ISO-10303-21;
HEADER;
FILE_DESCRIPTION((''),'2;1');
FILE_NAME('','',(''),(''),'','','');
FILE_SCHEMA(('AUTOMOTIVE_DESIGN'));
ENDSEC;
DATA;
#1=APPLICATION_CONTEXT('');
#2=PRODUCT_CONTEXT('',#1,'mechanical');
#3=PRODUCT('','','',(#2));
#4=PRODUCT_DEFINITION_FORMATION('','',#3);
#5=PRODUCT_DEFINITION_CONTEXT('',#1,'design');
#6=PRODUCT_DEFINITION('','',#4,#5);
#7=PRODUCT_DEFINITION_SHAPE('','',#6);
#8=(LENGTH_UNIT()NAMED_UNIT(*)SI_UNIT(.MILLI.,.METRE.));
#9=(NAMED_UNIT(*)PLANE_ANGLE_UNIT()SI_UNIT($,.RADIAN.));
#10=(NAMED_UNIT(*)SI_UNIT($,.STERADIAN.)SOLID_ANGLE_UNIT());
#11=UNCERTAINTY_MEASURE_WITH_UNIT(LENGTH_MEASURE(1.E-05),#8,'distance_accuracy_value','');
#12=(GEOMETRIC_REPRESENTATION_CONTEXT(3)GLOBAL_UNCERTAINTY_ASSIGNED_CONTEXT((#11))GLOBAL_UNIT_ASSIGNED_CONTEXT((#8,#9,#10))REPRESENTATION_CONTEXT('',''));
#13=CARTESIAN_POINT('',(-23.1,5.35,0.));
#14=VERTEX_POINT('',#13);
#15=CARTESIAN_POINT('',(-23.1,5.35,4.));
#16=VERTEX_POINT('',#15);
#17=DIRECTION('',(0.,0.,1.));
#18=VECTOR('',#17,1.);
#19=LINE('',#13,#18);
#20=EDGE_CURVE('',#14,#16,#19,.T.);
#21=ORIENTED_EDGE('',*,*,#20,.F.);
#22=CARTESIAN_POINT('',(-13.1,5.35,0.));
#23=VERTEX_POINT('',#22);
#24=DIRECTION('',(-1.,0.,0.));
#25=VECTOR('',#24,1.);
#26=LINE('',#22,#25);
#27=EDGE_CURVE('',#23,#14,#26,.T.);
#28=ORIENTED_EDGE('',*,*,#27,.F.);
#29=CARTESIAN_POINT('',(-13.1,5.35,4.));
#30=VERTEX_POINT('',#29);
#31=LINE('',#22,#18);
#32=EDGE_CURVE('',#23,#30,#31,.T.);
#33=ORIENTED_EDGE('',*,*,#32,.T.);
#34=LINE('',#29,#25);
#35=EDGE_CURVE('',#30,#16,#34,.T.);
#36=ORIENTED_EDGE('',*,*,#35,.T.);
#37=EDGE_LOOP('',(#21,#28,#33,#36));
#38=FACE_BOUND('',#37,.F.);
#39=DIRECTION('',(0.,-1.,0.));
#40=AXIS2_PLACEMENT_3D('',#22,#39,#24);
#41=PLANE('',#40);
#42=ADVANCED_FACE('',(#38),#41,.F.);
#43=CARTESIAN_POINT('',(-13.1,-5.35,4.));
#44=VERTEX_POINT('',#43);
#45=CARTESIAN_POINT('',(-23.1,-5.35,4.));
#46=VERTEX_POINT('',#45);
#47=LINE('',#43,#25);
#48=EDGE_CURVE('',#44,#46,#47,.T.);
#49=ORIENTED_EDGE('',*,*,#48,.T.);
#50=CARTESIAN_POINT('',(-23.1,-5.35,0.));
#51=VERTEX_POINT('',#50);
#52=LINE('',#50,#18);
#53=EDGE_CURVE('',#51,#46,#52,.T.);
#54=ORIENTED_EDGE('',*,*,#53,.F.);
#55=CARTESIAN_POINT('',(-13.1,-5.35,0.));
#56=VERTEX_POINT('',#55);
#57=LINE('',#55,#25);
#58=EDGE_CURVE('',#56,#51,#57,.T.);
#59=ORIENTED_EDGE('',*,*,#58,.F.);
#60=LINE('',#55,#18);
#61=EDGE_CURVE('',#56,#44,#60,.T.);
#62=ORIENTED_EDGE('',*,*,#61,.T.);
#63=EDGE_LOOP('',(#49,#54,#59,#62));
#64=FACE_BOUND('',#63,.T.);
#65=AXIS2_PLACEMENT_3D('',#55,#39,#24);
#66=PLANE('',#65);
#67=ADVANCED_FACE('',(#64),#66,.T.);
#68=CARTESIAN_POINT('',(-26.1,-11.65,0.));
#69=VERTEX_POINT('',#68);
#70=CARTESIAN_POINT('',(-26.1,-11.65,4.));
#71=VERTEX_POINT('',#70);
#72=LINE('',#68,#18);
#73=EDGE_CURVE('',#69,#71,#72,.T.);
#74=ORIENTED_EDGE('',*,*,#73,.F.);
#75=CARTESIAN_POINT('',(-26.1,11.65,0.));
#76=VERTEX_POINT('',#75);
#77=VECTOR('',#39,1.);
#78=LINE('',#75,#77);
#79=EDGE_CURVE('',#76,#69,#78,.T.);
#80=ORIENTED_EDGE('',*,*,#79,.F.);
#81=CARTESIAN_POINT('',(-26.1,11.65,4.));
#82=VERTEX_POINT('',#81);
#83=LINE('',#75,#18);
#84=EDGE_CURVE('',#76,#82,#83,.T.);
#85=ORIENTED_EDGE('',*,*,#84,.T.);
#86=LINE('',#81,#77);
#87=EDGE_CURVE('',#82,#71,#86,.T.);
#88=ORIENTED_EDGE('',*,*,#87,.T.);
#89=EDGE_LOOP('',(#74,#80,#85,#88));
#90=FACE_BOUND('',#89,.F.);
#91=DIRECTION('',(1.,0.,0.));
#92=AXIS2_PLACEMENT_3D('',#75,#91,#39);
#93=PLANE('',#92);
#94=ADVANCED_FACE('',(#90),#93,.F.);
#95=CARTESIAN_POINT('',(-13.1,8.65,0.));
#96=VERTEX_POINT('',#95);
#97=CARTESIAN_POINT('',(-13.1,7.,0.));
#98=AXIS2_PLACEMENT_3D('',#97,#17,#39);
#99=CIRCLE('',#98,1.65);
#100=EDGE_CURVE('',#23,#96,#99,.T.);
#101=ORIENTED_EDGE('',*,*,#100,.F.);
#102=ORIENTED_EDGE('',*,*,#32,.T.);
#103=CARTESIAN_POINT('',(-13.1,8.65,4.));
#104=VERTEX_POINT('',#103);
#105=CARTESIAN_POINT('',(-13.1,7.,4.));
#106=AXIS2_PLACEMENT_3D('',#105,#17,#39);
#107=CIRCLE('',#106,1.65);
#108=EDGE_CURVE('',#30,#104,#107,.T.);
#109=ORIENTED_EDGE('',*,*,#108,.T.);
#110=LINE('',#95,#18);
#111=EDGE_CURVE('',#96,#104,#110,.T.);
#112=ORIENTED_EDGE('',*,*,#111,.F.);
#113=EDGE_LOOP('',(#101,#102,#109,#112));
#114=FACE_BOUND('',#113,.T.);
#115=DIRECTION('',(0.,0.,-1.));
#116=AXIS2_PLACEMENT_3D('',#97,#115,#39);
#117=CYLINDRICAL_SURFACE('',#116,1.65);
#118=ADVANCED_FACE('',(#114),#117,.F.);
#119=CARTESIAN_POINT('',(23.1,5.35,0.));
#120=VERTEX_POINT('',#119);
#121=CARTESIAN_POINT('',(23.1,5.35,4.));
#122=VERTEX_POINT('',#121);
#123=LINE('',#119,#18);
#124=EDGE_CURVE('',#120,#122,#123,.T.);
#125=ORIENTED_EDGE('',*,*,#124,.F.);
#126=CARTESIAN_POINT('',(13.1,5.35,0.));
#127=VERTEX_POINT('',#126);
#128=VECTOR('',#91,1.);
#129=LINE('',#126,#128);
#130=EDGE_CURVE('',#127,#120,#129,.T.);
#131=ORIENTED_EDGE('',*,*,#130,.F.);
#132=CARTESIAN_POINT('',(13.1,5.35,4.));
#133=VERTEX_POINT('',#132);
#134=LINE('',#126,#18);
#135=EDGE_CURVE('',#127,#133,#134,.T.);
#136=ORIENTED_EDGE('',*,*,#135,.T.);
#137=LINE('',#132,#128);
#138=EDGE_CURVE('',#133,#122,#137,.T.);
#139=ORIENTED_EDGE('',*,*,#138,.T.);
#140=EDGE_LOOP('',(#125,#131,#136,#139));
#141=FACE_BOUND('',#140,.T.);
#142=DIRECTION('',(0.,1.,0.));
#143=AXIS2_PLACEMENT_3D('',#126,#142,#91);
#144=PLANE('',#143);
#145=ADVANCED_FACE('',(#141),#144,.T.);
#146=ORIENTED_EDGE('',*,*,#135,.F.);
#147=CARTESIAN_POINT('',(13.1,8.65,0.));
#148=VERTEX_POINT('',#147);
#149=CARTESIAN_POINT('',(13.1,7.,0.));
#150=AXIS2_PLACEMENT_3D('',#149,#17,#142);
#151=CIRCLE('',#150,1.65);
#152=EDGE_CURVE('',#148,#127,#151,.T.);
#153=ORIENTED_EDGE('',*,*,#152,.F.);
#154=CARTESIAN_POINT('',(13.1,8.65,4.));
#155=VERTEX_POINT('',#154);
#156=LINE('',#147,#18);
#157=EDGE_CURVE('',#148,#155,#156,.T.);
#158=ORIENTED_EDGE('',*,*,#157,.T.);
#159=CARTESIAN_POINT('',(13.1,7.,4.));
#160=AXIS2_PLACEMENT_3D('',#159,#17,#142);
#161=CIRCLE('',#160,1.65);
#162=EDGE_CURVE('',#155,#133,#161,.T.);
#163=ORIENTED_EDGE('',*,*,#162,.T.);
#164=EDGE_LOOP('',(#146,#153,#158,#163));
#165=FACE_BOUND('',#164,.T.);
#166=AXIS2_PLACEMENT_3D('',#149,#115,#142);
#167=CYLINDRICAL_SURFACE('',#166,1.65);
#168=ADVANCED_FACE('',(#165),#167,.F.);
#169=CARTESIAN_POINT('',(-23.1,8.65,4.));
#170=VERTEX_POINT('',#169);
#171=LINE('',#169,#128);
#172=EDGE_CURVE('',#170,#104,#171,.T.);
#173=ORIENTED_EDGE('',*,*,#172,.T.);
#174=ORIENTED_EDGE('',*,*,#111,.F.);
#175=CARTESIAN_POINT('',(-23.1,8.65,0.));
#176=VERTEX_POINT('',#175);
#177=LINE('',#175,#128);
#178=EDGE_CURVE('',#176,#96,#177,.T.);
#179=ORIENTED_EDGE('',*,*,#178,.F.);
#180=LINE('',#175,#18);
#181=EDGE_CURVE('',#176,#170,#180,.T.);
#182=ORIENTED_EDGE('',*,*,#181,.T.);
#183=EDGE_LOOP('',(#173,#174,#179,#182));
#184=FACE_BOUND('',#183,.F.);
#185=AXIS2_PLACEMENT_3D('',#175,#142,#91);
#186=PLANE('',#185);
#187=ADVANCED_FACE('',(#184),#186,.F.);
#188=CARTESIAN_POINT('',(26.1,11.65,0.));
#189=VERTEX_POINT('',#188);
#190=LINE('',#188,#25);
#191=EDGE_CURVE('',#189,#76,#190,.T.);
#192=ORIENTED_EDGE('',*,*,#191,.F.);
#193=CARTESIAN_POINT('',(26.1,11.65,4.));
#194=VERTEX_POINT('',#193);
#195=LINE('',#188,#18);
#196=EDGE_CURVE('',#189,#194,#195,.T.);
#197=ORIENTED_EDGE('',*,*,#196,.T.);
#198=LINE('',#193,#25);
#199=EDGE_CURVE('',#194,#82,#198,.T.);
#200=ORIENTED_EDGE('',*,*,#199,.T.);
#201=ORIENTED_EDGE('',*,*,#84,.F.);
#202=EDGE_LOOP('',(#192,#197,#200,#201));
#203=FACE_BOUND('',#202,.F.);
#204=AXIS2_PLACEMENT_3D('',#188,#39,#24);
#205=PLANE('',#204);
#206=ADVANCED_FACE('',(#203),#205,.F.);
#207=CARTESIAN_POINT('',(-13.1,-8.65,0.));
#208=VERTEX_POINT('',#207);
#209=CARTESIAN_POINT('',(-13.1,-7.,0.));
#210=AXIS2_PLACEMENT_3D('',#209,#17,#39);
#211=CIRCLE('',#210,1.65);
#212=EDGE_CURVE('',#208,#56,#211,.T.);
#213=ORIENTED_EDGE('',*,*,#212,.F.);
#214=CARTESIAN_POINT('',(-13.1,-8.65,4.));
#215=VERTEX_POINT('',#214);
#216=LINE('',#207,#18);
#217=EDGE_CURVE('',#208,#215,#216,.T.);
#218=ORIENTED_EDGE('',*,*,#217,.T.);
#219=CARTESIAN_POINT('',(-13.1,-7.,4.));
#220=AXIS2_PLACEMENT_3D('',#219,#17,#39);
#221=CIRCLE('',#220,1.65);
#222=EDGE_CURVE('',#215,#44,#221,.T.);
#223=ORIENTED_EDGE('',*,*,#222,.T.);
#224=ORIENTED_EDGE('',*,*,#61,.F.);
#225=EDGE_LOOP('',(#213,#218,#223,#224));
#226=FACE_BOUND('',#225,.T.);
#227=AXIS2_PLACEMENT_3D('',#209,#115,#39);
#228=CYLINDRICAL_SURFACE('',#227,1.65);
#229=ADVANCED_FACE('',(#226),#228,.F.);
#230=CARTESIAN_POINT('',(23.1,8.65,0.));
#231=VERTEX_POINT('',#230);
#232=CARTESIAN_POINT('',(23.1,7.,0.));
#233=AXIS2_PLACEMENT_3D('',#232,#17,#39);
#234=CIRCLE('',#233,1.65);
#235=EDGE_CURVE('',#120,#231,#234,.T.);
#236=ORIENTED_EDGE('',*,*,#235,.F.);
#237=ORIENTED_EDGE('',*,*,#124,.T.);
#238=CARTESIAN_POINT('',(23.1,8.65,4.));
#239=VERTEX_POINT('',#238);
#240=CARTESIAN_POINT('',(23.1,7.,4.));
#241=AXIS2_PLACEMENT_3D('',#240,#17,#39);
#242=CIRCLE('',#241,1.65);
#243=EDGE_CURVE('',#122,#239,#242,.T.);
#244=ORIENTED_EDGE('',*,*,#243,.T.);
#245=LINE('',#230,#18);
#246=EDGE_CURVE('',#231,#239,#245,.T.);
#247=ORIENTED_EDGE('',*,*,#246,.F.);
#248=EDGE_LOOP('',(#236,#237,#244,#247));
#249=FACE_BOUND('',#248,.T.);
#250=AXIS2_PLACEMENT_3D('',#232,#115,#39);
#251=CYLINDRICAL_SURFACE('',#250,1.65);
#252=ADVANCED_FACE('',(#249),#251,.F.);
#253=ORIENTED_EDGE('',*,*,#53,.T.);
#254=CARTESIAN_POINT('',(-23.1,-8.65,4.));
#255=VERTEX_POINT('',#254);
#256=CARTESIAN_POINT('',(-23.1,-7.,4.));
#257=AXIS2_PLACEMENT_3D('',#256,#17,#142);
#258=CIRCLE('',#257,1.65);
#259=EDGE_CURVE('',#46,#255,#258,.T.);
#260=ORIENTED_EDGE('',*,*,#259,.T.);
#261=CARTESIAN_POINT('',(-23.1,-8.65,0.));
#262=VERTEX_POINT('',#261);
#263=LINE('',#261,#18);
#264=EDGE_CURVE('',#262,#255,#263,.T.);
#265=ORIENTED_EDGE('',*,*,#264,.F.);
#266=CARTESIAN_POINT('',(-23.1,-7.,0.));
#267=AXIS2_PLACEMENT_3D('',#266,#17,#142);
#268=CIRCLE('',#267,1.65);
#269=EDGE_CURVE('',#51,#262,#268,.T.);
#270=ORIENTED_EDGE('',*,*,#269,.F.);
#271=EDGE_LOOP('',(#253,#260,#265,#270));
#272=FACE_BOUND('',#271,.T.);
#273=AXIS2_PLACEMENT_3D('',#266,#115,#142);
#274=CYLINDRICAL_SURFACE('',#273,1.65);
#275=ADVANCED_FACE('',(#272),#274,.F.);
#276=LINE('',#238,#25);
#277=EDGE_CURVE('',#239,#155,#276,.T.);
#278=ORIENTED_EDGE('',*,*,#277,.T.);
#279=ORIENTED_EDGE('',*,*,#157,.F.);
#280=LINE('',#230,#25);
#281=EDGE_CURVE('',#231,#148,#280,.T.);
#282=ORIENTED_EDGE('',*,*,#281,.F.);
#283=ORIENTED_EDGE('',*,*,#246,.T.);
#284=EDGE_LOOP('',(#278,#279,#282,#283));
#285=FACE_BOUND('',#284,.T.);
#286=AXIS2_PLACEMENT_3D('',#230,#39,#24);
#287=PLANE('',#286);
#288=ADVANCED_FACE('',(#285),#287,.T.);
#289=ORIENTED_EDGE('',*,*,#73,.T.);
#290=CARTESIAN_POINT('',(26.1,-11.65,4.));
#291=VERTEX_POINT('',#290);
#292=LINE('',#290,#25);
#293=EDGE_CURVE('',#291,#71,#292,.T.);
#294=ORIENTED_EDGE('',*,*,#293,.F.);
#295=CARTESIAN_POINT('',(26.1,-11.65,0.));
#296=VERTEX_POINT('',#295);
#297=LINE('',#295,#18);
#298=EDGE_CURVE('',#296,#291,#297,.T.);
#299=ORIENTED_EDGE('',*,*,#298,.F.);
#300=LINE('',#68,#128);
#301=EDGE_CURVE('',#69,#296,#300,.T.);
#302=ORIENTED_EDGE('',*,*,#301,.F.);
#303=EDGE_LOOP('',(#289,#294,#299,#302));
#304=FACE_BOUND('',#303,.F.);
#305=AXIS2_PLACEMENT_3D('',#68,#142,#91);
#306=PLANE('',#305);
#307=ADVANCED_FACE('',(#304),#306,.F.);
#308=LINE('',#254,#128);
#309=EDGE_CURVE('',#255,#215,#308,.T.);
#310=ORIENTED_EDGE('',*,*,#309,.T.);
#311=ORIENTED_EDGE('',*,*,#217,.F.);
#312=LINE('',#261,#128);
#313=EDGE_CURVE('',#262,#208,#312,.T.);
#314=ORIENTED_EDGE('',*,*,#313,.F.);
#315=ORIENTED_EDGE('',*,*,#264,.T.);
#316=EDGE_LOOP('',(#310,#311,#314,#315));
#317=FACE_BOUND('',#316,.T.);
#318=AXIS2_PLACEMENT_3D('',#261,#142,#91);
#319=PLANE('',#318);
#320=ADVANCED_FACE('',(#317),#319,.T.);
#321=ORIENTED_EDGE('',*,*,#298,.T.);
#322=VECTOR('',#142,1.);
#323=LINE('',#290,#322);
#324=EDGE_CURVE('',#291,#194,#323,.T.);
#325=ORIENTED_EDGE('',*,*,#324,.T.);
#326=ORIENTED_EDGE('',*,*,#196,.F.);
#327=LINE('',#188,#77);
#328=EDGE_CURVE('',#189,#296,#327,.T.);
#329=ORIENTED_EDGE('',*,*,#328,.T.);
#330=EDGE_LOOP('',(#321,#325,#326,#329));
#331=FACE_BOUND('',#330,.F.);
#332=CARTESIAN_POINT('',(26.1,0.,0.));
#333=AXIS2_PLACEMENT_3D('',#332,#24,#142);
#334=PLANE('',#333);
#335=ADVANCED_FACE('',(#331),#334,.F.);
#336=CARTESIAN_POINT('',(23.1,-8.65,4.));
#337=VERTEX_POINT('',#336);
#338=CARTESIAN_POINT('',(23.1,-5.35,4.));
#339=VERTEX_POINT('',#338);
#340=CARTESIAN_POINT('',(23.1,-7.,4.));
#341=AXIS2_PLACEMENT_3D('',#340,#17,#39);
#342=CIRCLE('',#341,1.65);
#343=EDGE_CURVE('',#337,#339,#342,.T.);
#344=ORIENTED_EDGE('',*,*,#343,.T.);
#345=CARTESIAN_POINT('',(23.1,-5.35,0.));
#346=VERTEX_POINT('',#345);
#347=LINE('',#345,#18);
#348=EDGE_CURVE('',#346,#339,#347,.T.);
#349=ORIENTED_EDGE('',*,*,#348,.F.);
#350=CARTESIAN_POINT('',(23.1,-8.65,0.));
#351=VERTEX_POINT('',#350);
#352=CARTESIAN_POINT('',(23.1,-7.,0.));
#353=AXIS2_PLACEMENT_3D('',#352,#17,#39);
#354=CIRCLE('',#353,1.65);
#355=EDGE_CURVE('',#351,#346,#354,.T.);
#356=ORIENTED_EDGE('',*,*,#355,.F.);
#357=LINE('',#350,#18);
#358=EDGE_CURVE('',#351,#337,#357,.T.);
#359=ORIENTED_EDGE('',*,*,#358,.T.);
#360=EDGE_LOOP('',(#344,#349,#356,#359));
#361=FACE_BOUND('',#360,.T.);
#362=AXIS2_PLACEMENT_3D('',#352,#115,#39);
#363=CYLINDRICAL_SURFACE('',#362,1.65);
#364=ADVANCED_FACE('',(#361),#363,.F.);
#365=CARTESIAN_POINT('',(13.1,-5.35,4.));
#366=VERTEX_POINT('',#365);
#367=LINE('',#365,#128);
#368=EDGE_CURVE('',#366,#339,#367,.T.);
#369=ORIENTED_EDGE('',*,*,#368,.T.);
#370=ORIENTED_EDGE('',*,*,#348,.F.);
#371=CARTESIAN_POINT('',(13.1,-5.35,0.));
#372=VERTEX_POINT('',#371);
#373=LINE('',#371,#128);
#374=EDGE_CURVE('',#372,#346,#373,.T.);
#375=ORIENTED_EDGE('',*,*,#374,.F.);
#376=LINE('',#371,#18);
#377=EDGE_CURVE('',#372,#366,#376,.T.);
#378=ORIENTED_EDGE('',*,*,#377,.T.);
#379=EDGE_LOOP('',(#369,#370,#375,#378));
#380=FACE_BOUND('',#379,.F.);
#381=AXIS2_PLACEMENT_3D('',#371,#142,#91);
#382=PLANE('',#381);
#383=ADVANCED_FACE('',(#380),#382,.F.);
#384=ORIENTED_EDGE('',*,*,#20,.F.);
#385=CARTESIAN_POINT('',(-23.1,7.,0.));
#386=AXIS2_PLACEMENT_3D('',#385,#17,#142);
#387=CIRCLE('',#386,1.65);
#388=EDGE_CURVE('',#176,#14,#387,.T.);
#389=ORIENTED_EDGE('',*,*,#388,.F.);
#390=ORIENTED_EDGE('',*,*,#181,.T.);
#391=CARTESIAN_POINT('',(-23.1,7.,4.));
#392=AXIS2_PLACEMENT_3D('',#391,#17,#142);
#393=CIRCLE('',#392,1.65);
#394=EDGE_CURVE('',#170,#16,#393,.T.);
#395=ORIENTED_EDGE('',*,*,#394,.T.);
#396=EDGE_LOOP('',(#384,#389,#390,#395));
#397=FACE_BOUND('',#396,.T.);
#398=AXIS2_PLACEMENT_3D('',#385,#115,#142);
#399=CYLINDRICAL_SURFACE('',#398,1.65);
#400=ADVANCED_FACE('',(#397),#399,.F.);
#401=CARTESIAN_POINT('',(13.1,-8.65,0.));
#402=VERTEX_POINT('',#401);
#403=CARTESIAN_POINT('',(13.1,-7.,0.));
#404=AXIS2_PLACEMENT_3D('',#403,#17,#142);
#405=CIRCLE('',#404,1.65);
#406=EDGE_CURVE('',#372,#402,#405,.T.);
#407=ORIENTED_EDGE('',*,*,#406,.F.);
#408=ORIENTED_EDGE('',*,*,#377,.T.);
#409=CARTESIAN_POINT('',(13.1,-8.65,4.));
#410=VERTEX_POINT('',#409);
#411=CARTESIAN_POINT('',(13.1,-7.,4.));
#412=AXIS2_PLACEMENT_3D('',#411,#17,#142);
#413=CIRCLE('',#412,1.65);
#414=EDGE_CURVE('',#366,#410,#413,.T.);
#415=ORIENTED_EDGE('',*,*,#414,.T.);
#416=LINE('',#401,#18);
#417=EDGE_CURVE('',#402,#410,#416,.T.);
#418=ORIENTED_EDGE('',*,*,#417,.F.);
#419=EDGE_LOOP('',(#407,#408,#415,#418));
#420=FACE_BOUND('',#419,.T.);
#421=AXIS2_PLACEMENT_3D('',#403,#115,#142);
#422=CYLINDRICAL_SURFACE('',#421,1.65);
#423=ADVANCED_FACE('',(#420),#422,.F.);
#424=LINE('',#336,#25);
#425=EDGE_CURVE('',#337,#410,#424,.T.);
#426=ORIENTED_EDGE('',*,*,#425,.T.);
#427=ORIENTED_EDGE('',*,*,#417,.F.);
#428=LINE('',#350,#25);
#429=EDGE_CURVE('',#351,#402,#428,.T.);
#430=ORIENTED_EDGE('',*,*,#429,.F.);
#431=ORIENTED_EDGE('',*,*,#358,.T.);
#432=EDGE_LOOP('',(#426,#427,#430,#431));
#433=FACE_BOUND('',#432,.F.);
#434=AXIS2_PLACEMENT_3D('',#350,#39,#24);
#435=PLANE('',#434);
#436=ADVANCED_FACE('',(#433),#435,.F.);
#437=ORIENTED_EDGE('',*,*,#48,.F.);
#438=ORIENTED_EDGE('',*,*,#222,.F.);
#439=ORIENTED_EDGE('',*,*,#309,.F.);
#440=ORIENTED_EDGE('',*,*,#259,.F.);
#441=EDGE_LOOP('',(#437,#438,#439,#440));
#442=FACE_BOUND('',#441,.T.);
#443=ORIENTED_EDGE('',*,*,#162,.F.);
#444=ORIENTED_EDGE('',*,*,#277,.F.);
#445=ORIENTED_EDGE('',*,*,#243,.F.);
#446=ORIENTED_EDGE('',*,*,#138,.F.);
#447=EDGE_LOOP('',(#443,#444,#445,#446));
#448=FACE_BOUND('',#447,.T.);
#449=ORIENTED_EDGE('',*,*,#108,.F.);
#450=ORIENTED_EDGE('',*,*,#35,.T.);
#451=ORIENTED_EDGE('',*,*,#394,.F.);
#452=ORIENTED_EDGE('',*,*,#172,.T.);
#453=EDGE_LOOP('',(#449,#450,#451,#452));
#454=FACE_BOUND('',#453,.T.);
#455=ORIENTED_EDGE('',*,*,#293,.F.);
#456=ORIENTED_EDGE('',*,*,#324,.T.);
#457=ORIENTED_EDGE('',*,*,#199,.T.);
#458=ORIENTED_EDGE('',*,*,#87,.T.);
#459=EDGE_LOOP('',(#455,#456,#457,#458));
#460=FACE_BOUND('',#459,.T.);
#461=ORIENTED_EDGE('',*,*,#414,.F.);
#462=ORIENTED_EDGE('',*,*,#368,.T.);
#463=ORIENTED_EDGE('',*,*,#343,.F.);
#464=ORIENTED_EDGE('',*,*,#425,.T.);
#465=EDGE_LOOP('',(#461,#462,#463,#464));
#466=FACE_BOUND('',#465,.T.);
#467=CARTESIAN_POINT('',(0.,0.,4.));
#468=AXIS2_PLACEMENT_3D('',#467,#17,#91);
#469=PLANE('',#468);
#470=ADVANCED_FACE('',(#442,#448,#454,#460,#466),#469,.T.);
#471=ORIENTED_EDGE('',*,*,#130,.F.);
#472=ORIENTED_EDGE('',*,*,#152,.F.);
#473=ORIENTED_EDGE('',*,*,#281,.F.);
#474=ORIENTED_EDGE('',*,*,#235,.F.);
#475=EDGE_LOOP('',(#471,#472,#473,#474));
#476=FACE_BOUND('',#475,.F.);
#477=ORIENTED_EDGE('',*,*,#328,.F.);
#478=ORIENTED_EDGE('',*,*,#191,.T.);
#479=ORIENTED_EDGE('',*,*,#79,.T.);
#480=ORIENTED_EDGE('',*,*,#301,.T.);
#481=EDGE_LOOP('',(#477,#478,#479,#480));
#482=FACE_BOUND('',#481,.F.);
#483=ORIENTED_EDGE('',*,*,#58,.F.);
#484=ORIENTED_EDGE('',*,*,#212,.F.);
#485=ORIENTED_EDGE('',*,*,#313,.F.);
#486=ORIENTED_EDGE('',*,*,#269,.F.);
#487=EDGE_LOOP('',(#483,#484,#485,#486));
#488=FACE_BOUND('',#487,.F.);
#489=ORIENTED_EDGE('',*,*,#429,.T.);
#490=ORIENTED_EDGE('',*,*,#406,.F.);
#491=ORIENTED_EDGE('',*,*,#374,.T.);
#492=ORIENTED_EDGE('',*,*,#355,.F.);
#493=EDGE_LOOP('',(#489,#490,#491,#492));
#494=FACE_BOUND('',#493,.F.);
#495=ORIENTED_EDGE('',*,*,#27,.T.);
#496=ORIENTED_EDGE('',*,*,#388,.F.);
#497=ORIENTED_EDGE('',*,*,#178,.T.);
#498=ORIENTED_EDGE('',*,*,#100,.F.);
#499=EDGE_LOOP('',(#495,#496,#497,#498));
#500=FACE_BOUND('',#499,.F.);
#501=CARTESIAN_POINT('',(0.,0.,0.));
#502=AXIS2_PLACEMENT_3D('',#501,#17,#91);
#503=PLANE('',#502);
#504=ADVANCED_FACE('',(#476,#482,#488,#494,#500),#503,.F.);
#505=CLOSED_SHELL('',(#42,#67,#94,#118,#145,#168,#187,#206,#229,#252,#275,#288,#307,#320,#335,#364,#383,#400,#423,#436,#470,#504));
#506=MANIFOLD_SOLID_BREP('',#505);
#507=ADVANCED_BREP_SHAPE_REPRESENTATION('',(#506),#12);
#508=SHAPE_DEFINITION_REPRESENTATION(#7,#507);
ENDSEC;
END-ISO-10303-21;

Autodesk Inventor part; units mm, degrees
ref_plane "YZ Plane" through (0, 0, 0) normal (1, 0, 0) x (0, 1, 0)
ref_plane "XZ Plane" through (0, 0, 0) normal (0, 1, 0) x (-1, 0, 0)
ref_plane "XY Plane" through (0, 0, 0) normal (0, 0, 1) x (1, 0, 0)
sketch "Эскиз1" plane through (0, 0, 0) normal (0, 0, 1) x (1, 0, 0)
  line L0 (-13.1, -7) -> (13.1, -7) construction
  line L1 (13.1, -7) -> (13.1, 7) construction
  line L2 (13.1, 7) -> (-13.1, 7) construction
  line L3 (-13.1, 7) -> (-13.1, -7) construction
  line L4 (-13.1, -7) -> (13.1, 7) construction
  line L5 (13.1, -7) -> (-13.1, 7) construction
  line L6 (13.1, 7) -> (23.1, 7) construction
  line L7 (13.1, 5.35) -> (23.1, 5.35)
  line L8 (23.1, 8.65) -> (13.1, 8.65)
  arc A0 (13.1, 8.65) -> (13.1, 5.35) centre (13.1, 7) ccw
  arc A1 (23.1, 5.35) -> (23.1, 8.65) centre (23.1, 7) ccw
  line L9 (-26.1, -11.65) -> (26.1, -11.65)
  line L10 (26.1, -11.65) -> (26.1, 11.65)
  line L11 (26.1, 11.65) -> (-26.1, 11.65)
  line L12 (-26.1, 11.65) -> (-26.1, -11.65)
  line L13 (-26.1, -11.65) -> (26.1, 11.65) construction
  line L14 (26.1, -11.65) -> (-26.1, 11.65) construction
  line L15 (0, 0) -> (0, -11.65)
  line L16 (0, 0) -> (26.1, 0)
  line L17 (13.1, -5.35) -> (23.1, -5.35)
  line L18 (23.1, -8.65) -> (13.1, -8.65)
  arc A2 (13.1, -5.35) -> (13.1, -8.65) centre (13.1, -7) ccw
  arc A3 (23.1, -8.65) -> (23.1, -5.35) centre (23.1, -7) ccw
  line L19 (-13.1, 7) -> (-23.1, 7) construction
  line L20 (-13.1, 5.35) -> (-23.1, 5.35)
  line L21 (-23.1, 8.65) -> (-13.1, 8.65)
  arc A4 (-13.1, 5.35) -> (-13.1, 8.65) centre (-13.1, 7) ccw
  arc A5 (-23.1, 8.65) -> (-23.1, 5.35) centre (-23.1, 7) ccw
  line L22 (-13.1, -5.35) -> (-23.1, -5.35)
  arc A6 (-13.1, -8.65) -> (-13.1, -5.35) centre (-13.1, -7) ccw
  line L23 (-23.1, -8.65) -> (-13.1, -8.65)
  arc A7 (-23.1, -5.35) -> (-23.1, -8.65) centre (-23.1, -7) ccw
  point P0 (18.1, 7)
  point P1 (-18.1, 7)
  dimension "d0" = 14
  dimension "d1" = 26.2
  dimension "d2" = 10
  dimension "d3" = 3.3
  dimension "d4" = 3
  dimension "d5" = 3
extrude "Выдавливание1" add sketch "Эскиз1" along normal blind 4
properties part number "стена_каретка"
